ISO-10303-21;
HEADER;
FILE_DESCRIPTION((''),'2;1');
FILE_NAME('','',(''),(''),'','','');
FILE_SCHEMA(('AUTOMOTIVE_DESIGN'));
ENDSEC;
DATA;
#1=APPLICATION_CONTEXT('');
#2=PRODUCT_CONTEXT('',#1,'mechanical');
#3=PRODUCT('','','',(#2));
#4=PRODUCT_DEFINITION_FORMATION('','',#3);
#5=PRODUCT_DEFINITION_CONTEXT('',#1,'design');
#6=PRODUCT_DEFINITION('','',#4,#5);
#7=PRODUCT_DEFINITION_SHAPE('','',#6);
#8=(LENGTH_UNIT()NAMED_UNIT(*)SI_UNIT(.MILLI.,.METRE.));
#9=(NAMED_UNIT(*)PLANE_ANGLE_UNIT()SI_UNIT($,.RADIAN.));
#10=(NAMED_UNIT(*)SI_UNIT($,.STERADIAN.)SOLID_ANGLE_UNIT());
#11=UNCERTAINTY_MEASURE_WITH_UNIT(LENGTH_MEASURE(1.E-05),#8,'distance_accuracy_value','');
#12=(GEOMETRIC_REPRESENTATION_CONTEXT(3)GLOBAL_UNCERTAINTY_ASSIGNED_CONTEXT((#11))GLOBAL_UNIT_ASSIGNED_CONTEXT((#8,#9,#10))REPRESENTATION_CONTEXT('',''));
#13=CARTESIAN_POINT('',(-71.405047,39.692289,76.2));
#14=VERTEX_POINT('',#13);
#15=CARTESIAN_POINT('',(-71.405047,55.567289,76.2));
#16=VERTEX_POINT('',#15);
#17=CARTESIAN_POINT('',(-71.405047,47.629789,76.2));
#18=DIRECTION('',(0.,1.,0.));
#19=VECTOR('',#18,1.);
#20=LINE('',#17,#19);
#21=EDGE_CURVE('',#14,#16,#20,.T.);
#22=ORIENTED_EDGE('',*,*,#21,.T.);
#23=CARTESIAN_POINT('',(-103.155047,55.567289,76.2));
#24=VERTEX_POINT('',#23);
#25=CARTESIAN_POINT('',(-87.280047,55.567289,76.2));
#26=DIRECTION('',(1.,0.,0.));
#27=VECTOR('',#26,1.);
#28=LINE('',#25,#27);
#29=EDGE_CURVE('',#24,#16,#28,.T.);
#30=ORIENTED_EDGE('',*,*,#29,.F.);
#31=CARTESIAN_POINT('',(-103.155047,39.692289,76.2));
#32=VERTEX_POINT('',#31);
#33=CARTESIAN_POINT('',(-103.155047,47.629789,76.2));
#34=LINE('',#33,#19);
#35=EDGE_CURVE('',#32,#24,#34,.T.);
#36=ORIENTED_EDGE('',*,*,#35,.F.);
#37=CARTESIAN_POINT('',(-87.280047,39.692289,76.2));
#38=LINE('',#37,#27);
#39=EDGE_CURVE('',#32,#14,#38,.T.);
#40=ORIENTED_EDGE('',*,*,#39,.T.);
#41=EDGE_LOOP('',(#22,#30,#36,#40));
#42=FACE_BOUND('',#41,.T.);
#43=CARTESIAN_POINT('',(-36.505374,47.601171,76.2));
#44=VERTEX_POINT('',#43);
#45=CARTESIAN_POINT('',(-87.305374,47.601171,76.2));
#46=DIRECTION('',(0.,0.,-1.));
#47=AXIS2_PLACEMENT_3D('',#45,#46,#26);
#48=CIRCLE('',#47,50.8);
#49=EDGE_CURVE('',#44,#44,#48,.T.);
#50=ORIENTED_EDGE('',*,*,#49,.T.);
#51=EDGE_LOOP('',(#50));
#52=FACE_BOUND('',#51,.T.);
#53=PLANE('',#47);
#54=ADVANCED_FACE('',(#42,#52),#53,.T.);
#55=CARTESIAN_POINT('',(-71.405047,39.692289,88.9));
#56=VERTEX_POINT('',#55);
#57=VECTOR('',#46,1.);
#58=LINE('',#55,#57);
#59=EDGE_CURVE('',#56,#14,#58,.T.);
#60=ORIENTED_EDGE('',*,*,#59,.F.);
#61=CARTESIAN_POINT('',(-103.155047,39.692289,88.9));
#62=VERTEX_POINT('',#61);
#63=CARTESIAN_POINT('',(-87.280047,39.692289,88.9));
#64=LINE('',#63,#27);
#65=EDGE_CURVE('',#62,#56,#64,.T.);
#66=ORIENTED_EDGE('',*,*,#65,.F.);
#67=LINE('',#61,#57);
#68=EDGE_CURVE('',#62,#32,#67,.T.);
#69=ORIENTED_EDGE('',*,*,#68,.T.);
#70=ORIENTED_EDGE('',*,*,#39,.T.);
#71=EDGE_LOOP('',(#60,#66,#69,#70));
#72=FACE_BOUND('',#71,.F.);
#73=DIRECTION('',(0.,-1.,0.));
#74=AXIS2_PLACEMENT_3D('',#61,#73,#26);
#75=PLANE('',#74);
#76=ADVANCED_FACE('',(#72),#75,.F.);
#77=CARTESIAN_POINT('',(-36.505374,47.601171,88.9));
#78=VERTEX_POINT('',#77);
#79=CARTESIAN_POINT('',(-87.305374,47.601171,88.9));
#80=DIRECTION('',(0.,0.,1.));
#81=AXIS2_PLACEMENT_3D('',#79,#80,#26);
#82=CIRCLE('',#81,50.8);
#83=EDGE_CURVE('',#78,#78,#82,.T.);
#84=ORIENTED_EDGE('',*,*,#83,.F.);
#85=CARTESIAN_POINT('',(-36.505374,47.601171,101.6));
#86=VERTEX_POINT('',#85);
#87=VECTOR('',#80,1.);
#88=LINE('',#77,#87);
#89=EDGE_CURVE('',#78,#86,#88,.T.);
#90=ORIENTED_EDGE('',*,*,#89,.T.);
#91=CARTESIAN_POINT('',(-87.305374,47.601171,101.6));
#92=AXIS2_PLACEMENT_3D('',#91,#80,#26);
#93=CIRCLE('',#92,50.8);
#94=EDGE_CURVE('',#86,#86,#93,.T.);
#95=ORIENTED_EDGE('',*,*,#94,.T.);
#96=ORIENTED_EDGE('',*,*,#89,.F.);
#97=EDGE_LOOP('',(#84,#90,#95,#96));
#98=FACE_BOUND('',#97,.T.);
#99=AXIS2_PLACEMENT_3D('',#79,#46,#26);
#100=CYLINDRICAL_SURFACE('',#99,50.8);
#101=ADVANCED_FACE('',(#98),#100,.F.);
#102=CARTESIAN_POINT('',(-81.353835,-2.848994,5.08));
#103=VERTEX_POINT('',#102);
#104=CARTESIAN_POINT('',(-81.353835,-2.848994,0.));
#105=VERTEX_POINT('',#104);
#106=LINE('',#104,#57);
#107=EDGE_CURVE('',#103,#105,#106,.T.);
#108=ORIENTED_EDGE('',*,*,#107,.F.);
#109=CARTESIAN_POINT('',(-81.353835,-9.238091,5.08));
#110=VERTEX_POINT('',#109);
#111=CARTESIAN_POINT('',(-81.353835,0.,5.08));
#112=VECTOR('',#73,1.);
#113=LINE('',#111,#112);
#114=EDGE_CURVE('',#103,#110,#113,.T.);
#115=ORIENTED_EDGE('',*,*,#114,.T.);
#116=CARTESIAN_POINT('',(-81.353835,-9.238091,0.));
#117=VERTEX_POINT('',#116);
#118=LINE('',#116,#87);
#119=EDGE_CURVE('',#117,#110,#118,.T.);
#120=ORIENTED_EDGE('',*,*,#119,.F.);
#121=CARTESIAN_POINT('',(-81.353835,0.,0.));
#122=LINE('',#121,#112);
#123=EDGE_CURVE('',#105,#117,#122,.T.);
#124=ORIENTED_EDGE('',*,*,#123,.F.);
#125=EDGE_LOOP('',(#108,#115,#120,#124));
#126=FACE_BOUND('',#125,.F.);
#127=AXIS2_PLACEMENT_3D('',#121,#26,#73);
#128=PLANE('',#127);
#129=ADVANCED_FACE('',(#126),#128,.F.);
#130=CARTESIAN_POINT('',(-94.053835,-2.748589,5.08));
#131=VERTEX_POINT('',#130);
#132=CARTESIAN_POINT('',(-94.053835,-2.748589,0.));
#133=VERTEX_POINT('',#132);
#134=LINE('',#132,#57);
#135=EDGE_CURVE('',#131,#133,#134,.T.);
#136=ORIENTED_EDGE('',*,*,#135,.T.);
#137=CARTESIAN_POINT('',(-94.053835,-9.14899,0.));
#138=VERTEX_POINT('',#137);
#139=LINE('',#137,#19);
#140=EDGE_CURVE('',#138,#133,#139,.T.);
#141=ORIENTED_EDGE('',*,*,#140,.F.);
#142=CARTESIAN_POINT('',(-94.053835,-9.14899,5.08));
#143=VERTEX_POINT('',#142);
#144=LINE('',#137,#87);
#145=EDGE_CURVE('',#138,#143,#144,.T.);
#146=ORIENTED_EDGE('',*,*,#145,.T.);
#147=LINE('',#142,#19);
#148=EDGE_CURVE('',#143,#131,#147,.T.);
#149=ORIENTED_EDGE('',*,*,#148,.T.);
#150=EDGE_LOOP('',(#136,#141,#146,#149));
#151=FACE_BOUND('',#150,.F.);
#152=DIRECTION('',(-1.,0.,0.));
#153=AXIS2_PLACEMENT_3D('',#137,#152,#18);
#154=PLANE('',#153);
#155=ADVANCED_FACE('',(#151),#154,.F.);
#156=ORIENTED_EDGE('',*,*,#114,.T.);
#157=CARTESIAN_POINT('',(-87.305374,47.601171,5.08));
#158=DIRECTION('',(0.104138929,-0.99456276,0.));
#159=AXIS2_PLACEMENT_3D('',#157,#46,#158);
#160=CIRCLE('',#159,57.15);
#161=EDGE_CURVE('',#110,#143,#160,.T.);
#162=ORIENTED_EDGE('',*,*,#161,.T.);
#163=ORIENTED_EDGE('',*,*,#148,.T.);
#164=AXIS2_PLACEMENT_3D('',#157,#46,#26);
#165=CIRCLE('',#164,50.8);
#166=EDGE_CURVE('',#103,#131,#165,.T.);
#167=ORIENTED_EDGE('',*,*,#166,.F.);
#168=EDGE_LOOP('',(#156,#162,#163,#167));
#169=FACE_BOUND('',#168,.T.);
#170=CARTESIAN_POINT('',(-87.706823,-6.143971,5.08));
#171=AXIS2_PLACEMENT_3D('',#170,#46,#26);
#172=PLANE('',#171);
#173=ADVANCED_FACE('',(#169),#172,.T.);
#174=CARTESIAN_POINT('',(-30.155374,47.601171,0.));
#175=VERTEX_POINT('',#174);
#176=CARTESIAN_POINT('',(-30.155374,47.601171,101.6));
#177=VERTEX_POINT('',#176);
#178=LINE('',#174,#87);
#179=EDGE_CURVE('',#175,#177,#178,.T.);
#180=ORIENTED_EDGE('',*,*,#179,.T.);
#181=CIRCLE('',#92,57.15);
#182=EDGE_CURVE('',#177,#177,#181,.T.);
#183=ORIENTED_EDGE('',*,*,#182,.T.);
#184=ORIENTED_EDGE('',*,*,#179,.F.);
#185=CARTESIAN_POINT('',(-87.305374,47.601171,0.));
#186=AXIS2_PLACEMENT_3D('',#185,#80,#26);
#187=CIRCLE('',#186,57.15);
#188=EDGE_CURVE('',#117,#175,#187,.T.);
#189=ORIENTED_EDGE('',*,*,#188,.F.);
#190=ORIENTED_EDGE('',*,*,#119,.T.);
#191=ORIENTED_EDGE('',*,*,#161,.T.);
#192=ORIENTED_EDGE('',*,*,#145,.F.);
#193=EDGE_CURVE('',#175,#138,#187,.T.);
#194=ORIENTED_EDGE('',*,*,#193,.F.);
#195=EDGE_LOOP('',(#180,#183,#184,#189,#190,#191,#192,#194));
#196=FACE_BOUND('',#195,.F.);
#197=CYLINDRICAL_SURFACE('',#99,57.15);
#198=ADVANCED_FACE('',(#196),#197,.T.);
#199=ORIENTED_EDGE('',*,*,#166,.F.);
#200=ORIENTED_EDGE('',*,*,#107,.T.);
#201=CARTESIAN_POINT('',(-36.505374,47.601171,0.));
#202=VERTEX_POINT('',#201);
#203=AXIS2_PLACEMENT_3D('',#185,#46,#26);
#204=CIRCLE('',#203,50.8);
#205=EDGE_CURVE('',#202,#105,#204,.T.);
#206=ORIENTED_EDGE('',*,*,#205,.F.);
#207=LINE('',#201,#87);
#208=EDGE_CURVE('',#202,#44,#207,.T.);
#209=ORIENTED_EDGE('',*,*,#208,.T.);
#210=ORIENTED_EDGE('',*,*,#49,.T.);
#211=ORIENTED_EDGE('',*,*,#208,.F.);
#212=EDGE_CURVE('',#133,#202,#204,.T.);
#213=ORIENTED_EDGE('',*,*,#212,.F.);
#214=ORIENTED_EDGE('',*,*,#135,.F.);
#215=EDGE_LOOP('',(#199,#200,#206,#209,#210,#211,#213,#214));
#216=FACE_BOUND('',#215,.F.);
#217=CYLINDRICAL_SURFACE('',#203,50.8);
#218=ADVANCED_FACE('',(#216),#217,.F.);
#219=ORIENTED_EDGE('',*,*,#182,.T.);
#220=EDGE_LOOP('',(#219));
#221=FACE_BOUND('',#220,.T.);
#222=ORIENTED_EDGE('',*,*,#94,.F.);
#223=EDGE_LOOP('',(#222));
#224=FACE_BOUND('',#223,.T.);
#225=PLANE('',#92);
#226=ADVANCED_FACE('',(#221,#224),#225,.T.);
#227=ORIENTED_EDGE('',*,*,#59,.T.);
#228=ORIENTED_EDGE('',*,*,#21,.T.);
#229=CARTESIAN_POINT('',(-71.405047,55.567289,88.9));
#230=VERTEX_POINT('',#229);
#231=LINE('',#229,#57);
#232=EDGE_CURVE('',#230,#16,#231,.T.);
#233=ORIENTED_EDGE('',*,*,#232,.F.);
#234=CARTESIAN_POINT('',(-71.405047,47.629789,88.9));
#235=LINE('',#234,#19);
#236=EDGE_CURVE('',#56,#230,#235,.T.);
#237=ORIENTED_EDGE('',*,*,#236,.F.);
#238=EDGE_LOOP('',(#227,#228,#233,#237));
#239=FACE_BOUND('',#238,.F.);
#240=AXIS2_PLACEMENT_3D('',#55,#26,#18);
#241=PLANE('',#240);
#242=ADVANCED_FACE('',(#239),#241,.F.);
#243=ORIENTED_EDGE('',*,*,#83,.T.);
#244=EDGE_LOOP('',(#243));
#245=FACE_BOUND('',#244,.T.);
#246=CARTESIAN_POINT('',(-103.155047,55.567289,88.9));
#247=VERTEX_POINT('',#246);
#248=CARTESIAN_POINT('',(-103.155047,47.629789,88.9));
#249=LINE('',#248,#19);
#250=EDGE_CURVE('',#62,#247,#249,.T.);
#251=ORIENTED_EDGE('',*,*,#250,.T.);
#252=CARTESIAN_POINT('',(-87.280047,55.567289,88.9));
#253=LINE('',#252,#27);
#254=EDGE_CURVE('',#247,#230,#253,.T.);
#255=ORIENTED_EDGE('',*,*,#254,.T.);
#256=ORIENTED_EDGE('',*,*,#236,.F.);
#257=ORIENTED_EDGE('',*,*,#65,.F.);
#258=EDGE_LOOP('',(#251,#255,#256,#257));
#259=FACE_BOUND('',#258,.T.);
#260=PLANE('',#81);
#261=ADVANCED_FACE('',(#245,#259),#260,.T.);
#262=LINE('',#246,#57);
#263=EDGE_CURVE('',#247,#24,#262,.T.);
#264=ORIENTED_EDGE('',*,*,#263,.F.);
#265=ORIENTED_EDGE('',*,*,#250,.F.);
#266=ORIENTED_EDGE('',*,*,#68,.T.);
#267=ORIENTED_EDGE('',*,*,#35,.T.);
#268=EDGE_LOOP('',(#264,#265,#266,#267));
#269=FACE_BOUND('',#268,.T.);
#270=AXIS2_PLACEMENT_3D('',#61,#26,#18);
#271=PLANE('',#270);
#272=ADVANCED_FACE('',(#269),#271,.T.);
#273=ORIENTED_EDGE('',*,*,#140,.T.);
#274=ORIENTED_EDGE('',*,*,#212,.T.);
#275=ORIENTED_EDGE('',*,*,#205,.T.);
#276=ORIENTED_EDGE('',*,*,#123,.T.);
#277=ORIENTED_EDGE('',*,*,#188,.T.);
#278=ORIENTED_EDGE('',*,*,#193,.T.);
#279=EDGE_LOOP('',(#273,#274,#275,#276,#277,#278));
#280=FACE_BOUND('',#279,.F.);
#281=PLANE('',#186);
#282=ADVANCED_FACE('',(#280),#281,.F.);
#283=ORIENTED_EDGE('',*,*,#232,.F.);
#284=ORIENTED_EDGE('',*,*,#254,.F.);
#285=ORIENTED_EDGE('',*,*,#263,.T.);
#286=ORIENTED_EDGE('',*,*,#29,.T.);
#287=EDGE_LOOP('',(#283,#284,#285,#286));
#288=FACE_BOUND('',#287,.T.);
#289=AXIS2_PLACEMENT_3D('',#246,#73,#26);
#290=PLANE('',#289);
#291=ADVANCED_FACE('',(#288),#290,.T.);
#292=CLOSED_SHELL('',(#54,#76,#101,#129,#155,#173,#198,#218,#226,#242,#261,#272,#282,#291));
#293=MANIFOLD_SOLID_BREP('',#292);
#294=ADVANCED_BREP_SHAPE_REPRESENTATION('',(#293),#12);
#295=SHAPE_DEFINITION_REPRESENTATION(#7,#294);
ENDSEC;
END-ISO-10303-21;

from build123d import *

# Parameters (mm, degrees)
F0_R     = 57.15
F1_DEPTH = 88.9
F2_R     = 50.8
F3_DEPTH = 76.2
F4_W     = 31.75
F4_H     = 15.875
F5_DEPTH = 12.7
F6_R     = 57.15
F6_R_2   = 50.8
F7_DEPTH = 12.7
F9_DEPTH = 5.08


with BuildPart() as f1:
    # F0 (on Top) → F1 (new body)
    with BuildSketch(Plane.XY):
        with Locations((-87.3053744435, 47.6011708379)):
            Circle(F0_R)
    extrude(amount=F1_DEPTH)

    # F2 (on face) → F3 (cut)
    with BuildSketch(Plane(origin=(0, 0, 0), x_dir=(1, 0, 0), z_dir=(0, 0, -1))):
        with Locations((-87.3053744435, -47.6011708379)):
            Circle(F2_R)
    extrude(amount=-F3_DEPTH, mode=Mode.SUBTRACT)

    # F4 (on face) → F5 (cut)
    with BuildSketch(Plane.XY.offset(88.9)):
        with Locations((-87.2800468532, 47.6297885038)):
            Rectangle(F4_W, F4_H)
    extrude(amount=-F5_DEPTH, mode=Mode.SUBTRACT)

    # F6 (on face) → F7 (join)
    with BuildSketch(Plane.XY.offset(88.9)):
        with Locations((-87.3053744435, 47.6011708379)):
            Circle(F6_R)
        with Locations((-87.3053744435, 47.6011708379)):
            Circle(F6_R_2, mode=Mode.SUBTRACT)
    extrude(amount=F7_DEPTH)

    # F8 (on face) → F9 (cut)
    with BuildSketch(Plane(origin=(0, 0, 0), x_dir=(1, 0, 0), z_dir=(0, 0, -1))):
        with BuildLine():
            ThreePointArc((-81.3538346767, 9.2380908956), (-87.7063174424, 9.5474227118), (-94.0538346767, 9.1489902586))
            Line((-94.0538346767, 9.1489902586), (-94.0538346767, 2.7485886897))
            ThreePointArc((-94.0538346767, 2.7485886897), (-87.7069848083, 3.1972416286), (-81.3538346767, 2.8489944186))
            Line((-81.3538346767, 2.8489944186), (-81.3538346767, 9.2380908956))
        make_face()
        with BuildLine():
            ThreePointArc((-81.3538346767, 2.8489944186), (-87.7069848083, 3.1972416286), (-94.0538346767, 2.7485886897))
            Line((-94.0538346767, 2.7485886897), (-94.0538346767, 0))
            Line((-94.0538346767, 0), (-81.3538346767, 0))
            Line((-81.3538346767, 0), (-81.3538346767, 2.8489944186))
        make_face()
    extrude(amount=-F9_DEPTH, mode=Mode.SUBTRACT)


solid = f1.part
